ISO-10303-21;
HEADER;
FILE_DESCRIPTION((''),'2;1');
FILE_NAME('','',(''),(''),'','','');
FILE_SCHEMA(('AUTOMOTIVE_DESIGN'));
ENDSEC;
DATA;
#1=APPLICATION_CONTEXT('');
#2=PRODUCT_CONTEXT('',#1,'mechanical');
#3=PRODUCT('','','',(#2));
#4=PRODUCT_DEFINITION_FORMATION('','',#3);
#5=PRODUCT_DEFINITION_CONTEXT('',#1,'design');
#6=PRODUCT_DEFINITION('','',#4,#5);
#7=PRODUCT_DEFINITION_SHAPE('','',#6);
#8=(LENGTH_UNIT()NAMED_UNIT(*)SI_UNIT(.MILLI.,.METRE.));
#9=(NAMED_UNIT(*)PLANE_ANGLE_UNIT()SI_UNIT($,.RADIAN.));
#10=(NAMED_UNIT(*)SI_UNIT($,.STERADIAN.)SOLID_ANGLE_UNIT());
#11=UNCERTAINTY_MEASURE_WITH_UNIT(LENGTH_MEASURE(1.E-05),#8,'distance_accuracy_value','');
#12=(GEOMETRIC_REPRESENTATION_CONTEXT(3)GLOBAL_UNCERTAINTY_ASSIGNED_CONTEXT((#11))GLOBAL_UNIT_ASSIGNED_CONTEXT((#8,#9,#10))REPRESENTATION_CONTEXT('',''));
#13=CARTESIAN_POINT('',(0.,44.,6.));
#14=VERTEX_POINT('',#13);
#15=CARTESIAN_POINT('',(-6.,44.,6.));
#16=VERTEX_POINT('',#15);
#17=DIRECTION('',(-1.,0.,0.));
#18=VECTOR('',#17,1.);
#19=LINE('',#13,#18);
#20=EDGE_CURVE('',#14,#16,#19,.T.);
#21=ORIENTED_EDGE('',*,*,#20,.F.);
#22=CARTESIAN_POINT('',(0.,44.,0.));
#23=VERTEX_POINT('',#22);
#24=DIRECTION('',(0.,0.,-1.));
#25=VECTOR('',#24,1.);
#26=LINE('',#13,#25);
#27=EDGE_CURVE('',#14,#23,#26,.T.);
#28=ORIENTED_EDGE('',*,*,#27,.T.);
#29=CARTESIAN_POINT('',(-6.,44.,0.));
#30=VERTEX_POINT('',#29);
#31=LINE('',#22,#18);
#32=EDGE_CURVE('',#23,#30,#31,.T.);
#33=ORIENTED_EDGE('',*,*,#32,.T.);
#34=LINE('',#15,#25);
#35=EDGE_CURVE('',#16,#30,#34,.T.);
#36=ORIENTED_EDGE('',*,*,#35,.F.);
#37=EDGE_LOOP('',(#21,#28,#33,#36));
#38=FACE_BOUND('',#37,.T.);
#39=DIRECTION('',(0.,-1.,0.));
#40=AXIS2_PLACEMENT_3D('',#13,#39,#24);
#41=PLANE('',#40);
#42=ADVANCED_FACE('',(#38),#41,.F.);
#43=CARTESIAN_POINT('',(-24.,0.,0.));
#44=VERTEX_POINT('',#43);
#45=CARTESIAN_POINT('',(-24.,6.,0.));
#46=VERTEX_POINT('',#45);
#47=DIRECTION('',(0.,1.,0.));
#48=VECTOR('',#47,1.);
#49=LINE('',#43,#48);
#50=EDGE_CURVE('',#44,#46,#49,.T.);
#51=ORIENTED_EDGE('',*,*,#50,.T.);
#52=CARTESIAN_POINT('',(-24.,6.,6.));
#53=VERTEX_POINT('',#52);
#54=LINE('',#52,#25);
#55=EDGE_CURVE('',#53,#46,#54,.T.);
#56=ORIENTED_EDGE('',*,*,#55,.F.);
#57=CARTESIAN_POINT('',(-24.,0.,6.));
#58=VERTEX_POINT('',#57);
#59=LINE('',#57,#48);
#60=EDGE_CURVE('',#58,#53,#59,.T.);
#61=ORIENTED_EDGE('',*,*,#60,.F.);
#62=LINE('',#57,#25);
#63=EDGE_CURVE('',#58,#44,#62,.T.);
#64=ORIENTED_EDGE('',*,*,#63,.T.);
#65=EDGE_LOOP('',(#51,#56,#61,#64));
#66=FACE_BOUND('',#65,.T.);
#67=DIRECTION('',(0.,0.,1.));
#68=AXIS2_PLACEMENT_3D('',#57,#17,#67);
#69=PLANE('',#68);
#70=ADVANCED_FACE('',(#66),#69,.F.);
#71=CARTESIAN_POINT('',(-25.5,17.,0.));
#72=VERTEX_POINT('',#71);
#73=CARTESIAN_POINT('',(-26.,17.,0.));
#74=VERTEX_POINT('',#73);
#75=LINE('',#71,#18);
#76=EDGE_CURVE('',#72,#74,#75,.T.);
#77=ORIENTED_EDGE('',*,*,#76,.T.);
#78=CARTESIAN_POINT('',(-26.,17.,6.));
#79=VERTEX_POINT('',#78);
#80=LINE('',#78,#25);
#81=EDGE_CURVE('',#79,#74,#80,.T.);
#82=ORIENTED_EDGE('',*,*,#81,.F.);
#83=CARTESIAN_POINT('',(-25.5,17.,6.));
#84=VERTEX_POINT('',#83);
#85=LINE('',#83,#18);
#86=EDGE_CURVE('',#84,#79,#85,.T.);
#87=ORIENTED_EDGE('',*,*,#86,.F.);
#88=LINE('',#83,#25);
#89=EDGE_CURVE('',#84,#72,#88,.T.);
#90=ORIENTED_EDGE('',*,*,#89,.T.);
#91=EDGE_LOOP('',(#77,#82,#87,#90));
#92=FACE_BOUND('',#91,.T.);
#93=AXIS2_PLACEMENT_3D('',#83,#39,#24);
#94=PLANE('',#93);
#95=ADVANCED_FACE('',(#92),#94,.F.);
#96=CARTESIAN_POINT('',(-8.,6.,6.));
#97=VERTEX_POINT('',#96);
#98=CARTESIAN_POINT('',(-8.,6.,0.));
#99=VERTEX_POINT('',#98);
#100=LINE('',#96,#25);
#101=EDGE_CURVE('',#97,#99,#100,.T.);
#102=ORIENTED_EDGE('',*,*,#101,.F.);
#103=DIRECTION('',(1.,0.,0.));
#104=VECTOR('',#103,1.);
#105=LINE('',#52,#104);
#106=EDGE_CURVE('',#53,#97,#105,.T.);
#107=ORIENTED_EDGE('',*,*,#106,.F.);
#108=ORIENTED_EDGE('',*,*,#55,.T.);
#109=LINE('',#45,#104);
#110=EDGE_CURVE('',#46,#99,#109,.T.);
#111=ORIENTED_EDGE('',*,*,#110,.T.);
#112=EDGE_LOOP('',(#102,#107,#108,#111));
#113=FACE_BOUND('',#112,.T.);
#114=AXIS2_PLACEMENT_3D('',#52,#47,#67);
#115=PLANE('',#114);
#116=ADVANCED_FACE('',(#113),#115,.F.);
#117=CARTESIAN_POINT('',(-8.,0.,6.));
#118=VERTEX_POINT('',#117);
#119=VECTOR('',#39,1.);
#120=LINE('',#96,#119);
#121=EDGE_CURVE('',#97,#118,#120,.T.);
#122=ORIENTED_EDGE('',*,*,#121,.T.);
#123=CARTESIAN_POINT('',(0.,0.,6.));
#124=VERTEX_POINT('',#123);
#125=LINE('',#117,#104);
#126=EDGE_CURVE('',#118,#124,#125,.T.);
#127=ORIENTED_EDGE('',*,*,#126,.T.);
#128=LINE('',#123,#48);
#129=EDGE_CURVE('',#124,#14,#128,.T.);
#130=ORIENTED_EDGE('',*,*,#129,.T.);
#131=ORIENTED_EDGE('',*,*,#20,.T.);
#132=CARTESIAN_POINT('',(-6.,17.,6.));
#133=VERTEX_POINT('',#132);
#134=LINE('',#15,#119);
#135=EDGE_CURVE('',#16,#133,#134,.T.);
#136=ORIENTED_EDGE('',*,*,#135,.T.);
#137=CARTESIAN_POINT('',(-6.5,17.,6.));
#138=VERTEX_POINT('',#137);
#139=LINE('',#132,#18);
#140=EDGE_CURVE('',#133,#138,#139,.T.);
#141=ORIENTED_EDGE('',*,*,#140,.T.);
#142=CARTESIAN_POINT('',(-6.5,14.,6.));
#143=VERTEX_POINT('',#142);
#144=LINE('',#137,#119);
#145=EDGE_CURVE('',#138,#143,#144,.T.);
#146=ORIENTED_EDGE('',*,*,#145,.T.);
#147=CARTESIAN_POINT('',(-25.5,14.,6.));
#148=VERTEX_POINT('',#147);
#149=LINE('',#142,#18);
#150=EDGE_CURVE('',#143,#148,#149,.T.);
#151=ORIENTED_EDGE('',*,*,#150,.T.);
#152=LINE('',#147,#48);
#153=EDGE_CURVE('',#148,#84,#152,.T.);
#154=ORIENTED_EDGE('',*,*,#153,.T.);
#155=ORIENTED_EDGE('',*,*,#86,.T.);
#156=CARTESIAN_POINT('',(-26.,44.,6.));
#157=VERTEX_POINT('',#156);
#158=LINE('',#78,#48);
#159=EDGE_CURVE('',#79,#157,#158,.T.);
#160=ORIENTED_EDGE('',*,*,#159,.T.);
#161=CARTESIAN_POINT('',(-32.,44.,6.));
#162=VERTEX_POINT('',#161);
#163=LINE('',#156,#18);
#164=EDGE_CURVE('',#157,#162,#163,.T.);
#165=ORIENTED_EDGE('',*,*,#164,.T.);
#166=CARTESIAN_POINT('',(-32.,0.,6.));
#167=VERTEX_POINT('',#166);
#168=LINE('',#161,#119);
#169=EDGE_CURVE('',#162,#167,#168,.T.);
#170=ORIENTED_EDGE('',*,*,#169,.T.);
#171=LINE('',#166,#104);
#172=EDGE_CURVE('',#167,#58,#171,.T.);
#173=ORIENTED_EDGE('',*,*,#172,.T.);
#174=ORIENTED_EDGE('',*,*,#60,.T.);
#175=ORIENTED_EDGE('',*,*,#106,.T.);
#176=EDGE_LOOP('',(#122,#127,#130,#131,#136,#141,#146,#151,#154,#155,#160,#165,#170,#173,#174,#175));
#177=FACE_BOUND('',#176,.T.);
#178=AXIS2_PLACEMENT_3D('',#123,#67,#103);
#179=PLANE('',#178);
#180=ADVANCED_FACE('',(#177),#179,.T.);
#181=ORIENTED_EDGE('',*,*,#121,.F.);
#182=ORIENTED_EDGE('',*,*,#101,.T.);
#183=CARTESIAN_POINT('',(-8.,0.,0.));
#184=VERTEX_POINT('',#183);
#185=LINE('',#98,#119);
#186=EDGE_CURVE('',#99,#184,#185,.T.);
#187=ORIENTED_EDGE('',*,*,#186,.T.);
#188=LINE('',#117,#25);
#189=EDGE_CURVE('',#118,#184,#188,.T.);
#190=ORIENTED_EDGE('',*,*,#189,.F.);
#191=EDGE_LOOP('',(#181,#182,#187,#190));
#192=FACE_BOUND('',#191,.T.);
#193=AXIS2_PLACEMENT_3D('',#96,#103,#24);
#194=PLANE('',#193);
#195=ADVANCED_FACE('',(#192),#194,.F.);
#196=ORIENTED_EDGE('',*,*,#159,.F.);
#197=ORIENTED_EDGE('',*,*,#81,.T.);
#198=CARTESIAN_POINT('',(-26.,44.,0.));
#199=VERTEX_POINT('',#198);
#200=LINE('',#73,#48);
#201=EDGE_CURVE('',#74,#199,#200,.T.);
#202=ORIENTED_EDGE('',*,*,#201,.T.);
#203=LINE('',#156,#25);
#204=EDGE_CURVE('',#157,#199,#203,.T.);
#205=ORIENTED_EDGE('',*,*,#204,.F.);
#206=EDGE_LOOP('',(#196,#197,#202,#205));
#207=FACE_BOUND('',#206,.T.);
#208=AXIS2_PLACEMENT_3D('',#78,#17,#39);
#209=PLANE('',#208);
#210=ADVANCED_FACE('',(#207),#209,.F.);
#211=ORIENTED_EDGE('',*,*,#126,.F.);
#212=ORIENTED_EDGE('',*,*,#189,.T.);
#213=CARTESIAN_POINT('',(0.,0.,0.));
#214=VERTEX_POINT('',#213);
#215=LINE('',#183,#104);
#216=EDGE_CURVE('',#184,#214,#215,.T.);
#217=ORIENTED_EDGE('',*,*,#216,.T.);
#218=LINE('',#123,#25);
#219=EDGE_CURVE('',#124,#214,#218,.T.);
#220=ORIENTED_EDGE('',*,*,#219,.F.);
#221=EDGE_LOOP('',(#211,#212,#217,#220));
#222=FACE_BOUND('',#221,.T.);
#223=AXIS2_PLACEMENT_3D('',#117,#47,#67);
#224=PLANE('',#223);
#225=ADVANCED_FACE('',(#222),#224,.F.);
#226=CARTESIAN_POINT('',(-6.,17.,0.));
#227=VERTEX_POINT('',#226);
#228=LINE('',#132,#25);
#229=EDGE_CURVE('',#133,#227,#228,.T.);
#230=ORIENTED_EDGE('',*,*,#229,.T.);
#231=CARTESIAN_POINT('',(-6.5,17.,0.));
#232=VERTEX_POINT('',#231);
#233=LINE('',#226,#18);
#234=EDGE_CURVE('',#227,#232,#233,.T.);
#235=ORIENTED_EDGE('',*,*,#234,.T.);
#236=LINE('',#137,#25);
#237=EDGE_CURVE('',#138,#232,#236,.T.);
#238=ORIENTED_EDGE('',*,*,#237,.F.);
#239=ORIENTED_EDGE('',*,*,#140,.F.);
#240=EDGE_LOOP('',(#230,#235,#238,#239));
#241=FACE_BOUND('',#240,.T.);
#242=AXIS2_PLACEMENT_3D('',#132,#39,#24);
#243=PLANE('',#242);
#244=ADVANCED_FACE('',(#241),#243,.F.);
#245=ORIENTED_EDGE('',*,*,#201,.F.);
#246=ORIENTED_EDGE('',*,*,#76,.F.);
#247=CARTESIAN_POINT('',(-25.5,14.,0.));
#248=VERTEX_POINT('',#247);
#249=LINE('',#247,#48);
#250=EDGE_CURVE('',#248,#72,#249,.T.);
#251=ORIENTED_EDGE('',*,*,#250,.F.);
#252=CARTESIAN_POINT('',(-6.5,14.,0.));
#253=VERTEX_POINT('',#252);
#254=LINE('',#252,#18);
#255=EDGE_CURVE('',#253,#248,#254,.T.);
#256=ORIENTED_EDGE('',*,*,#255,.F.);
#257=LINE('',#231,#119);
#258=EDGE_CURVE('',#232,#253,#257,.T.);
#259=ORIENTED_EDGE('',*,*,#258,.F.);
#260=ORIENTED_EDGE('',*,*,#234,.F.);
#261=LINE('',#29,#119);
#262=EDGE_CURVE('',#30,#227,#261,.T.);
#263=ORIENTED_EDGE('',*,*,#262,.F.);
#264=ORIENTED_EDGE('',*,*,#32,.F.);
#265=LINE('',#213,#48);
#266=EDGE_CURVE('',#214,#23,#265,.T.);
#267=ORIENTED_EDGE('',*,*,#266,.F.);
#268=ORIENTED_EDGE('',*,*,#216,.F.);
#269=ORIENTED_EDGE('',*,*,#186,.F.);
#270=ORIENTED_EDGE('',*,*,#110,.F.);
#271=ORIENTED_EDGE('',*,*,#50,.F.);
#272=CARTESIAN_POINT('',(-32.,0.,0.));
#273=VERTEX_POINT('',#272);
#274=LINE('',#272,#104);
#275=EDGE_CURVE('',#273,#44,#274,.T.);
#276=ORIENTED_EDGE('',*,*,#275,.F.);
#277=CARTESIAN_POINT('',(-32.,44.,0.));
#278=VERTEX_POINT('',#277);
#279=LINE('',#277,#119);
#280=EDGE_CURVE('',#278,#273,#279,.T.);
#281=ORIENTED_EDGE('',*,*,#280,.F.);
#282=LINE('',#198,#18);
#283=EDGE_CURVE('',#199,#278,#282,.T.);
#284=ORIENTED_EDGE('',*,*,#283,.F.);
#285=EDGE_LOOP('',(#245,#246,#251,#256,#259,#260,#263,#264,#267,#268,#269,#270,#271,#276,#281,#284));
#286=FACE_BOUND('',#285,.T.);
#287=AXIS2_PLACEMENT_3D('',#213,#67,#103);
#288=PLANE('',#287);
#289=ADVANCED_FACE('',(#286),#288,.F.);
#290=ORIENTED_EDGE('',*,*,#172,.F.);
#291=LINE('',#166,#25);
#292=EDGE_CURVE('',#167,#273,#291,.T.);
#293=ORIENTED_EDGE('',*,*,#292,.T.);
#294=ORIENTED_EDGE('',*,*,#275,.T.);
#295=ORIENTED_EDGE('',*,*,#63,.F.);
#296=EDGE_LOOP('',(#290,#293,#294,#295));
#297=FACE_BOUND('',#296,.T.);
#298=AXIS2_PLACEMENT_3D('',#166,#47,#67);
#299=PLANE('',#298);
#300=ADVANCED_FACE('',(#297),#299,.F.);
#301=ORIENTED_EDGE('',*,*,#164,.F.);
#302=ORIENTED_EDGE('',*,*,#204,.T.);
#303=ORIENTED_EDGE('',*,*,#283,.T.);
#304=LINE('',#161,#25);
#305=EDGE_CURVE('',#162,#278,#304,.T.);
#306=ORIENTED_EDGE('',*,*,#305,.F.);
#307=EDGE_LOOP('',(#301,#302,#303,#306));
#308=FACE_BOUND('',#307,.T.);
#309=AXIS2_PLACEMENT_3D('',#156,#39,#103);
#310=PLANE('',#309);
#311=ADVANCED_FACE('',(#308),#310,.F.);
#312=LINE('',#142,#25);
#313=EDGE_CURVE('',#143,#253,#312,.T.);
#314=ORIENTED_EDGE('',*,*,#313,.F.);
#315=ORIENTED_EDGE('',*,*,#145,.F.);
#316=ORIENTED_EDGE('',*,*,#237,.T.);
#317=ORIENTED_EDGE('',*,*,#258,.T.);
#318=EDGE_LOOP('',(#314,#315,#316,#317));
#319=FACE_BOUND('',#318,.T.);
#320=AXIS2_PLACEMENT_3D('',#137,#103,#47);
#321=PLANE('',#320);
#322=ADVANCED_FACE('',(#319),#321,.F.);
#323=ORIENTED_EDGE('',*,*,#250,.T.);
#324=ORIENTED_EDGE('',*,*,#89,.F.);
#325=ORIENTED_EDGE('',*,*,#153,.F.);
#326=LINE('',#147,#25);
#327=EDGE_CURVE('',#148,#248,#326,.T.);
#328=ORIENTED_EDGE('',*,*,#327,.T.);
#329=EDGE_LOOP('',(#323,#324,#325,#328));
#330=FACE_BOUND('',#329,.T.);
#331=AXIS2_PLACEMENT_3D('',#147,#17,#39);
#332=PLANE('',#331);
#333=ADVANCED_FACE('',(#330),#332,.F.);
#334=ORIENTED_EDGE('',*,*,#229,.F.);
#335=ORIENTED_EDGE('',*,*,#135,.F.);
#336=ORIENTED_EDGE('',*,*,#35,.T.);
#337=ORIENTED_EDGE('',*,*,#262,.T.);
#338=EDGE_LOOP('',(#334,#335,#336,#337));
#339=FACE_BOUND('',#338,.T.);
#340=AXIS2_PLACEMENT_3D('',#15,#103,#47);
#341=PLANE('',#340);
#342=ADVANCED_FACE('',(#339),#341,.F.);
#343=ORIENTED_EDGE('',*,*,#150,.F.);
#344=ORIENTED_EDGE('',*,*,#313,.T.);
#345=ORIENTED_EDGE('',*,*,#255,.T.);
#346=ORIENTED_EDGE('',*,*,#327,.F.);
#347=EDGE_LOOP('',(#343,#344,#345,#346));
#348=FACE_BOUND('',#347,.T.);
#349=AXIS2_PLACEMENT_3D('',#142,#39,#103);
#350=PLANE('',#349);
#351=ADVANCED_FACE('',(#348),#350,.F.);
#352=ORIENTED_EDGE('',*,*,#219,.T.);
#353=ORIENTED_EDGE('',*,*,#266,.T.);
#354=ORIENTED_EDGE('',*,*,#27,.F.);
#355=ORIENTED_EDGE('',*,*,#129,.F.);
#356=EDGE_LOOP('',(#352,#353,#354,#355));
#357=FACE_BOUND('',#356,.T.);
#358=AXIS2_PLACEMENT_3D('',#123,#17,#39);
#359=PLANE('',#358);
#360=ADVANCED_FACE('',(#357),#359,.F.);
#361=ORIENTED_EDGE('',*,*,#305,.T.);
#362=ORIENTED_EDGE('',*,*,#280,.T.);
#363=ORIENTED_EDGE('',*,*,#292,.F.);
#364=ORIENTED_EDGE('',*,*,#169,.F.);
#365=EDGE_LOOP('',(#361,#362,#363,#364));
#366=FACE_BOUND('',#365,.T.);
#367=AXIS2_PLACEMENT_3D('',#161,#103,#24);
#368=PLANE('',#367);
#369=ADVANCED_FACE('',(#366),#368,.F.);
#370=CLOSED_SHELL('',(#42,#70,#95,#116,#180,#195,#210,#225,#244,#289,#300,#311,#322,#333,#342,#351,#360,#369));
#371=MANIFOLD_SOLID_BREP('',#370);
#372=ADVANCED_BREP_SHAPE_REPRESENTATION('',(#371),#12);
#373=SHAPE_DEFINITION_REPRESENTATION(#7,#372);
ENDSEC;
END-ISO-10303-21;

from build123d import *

# Parameters (mm, degrees)
BOSS_EXTRU_1_DEPTH = 6


with BuildPart() as part:
    # Esquisse1 → Boss.-Extru.1 (new body)
    with BuildSketch(Plane.XY):
        Polygon((0, 0), (0, 44), (-6, 44), (-6, 17), (-6.5, 17), (-6.5, 14), (-25.5, 14), (-25.5, 17), (-26, 17), (-26, 44), (-32, 44), (-32, 0), (-24, 0), (-24, 6), (-8, 6), (-8, 0), align=None)
    extrude(amount=BOSS_EXTRU_1_DEPTH)


solid = part.part
